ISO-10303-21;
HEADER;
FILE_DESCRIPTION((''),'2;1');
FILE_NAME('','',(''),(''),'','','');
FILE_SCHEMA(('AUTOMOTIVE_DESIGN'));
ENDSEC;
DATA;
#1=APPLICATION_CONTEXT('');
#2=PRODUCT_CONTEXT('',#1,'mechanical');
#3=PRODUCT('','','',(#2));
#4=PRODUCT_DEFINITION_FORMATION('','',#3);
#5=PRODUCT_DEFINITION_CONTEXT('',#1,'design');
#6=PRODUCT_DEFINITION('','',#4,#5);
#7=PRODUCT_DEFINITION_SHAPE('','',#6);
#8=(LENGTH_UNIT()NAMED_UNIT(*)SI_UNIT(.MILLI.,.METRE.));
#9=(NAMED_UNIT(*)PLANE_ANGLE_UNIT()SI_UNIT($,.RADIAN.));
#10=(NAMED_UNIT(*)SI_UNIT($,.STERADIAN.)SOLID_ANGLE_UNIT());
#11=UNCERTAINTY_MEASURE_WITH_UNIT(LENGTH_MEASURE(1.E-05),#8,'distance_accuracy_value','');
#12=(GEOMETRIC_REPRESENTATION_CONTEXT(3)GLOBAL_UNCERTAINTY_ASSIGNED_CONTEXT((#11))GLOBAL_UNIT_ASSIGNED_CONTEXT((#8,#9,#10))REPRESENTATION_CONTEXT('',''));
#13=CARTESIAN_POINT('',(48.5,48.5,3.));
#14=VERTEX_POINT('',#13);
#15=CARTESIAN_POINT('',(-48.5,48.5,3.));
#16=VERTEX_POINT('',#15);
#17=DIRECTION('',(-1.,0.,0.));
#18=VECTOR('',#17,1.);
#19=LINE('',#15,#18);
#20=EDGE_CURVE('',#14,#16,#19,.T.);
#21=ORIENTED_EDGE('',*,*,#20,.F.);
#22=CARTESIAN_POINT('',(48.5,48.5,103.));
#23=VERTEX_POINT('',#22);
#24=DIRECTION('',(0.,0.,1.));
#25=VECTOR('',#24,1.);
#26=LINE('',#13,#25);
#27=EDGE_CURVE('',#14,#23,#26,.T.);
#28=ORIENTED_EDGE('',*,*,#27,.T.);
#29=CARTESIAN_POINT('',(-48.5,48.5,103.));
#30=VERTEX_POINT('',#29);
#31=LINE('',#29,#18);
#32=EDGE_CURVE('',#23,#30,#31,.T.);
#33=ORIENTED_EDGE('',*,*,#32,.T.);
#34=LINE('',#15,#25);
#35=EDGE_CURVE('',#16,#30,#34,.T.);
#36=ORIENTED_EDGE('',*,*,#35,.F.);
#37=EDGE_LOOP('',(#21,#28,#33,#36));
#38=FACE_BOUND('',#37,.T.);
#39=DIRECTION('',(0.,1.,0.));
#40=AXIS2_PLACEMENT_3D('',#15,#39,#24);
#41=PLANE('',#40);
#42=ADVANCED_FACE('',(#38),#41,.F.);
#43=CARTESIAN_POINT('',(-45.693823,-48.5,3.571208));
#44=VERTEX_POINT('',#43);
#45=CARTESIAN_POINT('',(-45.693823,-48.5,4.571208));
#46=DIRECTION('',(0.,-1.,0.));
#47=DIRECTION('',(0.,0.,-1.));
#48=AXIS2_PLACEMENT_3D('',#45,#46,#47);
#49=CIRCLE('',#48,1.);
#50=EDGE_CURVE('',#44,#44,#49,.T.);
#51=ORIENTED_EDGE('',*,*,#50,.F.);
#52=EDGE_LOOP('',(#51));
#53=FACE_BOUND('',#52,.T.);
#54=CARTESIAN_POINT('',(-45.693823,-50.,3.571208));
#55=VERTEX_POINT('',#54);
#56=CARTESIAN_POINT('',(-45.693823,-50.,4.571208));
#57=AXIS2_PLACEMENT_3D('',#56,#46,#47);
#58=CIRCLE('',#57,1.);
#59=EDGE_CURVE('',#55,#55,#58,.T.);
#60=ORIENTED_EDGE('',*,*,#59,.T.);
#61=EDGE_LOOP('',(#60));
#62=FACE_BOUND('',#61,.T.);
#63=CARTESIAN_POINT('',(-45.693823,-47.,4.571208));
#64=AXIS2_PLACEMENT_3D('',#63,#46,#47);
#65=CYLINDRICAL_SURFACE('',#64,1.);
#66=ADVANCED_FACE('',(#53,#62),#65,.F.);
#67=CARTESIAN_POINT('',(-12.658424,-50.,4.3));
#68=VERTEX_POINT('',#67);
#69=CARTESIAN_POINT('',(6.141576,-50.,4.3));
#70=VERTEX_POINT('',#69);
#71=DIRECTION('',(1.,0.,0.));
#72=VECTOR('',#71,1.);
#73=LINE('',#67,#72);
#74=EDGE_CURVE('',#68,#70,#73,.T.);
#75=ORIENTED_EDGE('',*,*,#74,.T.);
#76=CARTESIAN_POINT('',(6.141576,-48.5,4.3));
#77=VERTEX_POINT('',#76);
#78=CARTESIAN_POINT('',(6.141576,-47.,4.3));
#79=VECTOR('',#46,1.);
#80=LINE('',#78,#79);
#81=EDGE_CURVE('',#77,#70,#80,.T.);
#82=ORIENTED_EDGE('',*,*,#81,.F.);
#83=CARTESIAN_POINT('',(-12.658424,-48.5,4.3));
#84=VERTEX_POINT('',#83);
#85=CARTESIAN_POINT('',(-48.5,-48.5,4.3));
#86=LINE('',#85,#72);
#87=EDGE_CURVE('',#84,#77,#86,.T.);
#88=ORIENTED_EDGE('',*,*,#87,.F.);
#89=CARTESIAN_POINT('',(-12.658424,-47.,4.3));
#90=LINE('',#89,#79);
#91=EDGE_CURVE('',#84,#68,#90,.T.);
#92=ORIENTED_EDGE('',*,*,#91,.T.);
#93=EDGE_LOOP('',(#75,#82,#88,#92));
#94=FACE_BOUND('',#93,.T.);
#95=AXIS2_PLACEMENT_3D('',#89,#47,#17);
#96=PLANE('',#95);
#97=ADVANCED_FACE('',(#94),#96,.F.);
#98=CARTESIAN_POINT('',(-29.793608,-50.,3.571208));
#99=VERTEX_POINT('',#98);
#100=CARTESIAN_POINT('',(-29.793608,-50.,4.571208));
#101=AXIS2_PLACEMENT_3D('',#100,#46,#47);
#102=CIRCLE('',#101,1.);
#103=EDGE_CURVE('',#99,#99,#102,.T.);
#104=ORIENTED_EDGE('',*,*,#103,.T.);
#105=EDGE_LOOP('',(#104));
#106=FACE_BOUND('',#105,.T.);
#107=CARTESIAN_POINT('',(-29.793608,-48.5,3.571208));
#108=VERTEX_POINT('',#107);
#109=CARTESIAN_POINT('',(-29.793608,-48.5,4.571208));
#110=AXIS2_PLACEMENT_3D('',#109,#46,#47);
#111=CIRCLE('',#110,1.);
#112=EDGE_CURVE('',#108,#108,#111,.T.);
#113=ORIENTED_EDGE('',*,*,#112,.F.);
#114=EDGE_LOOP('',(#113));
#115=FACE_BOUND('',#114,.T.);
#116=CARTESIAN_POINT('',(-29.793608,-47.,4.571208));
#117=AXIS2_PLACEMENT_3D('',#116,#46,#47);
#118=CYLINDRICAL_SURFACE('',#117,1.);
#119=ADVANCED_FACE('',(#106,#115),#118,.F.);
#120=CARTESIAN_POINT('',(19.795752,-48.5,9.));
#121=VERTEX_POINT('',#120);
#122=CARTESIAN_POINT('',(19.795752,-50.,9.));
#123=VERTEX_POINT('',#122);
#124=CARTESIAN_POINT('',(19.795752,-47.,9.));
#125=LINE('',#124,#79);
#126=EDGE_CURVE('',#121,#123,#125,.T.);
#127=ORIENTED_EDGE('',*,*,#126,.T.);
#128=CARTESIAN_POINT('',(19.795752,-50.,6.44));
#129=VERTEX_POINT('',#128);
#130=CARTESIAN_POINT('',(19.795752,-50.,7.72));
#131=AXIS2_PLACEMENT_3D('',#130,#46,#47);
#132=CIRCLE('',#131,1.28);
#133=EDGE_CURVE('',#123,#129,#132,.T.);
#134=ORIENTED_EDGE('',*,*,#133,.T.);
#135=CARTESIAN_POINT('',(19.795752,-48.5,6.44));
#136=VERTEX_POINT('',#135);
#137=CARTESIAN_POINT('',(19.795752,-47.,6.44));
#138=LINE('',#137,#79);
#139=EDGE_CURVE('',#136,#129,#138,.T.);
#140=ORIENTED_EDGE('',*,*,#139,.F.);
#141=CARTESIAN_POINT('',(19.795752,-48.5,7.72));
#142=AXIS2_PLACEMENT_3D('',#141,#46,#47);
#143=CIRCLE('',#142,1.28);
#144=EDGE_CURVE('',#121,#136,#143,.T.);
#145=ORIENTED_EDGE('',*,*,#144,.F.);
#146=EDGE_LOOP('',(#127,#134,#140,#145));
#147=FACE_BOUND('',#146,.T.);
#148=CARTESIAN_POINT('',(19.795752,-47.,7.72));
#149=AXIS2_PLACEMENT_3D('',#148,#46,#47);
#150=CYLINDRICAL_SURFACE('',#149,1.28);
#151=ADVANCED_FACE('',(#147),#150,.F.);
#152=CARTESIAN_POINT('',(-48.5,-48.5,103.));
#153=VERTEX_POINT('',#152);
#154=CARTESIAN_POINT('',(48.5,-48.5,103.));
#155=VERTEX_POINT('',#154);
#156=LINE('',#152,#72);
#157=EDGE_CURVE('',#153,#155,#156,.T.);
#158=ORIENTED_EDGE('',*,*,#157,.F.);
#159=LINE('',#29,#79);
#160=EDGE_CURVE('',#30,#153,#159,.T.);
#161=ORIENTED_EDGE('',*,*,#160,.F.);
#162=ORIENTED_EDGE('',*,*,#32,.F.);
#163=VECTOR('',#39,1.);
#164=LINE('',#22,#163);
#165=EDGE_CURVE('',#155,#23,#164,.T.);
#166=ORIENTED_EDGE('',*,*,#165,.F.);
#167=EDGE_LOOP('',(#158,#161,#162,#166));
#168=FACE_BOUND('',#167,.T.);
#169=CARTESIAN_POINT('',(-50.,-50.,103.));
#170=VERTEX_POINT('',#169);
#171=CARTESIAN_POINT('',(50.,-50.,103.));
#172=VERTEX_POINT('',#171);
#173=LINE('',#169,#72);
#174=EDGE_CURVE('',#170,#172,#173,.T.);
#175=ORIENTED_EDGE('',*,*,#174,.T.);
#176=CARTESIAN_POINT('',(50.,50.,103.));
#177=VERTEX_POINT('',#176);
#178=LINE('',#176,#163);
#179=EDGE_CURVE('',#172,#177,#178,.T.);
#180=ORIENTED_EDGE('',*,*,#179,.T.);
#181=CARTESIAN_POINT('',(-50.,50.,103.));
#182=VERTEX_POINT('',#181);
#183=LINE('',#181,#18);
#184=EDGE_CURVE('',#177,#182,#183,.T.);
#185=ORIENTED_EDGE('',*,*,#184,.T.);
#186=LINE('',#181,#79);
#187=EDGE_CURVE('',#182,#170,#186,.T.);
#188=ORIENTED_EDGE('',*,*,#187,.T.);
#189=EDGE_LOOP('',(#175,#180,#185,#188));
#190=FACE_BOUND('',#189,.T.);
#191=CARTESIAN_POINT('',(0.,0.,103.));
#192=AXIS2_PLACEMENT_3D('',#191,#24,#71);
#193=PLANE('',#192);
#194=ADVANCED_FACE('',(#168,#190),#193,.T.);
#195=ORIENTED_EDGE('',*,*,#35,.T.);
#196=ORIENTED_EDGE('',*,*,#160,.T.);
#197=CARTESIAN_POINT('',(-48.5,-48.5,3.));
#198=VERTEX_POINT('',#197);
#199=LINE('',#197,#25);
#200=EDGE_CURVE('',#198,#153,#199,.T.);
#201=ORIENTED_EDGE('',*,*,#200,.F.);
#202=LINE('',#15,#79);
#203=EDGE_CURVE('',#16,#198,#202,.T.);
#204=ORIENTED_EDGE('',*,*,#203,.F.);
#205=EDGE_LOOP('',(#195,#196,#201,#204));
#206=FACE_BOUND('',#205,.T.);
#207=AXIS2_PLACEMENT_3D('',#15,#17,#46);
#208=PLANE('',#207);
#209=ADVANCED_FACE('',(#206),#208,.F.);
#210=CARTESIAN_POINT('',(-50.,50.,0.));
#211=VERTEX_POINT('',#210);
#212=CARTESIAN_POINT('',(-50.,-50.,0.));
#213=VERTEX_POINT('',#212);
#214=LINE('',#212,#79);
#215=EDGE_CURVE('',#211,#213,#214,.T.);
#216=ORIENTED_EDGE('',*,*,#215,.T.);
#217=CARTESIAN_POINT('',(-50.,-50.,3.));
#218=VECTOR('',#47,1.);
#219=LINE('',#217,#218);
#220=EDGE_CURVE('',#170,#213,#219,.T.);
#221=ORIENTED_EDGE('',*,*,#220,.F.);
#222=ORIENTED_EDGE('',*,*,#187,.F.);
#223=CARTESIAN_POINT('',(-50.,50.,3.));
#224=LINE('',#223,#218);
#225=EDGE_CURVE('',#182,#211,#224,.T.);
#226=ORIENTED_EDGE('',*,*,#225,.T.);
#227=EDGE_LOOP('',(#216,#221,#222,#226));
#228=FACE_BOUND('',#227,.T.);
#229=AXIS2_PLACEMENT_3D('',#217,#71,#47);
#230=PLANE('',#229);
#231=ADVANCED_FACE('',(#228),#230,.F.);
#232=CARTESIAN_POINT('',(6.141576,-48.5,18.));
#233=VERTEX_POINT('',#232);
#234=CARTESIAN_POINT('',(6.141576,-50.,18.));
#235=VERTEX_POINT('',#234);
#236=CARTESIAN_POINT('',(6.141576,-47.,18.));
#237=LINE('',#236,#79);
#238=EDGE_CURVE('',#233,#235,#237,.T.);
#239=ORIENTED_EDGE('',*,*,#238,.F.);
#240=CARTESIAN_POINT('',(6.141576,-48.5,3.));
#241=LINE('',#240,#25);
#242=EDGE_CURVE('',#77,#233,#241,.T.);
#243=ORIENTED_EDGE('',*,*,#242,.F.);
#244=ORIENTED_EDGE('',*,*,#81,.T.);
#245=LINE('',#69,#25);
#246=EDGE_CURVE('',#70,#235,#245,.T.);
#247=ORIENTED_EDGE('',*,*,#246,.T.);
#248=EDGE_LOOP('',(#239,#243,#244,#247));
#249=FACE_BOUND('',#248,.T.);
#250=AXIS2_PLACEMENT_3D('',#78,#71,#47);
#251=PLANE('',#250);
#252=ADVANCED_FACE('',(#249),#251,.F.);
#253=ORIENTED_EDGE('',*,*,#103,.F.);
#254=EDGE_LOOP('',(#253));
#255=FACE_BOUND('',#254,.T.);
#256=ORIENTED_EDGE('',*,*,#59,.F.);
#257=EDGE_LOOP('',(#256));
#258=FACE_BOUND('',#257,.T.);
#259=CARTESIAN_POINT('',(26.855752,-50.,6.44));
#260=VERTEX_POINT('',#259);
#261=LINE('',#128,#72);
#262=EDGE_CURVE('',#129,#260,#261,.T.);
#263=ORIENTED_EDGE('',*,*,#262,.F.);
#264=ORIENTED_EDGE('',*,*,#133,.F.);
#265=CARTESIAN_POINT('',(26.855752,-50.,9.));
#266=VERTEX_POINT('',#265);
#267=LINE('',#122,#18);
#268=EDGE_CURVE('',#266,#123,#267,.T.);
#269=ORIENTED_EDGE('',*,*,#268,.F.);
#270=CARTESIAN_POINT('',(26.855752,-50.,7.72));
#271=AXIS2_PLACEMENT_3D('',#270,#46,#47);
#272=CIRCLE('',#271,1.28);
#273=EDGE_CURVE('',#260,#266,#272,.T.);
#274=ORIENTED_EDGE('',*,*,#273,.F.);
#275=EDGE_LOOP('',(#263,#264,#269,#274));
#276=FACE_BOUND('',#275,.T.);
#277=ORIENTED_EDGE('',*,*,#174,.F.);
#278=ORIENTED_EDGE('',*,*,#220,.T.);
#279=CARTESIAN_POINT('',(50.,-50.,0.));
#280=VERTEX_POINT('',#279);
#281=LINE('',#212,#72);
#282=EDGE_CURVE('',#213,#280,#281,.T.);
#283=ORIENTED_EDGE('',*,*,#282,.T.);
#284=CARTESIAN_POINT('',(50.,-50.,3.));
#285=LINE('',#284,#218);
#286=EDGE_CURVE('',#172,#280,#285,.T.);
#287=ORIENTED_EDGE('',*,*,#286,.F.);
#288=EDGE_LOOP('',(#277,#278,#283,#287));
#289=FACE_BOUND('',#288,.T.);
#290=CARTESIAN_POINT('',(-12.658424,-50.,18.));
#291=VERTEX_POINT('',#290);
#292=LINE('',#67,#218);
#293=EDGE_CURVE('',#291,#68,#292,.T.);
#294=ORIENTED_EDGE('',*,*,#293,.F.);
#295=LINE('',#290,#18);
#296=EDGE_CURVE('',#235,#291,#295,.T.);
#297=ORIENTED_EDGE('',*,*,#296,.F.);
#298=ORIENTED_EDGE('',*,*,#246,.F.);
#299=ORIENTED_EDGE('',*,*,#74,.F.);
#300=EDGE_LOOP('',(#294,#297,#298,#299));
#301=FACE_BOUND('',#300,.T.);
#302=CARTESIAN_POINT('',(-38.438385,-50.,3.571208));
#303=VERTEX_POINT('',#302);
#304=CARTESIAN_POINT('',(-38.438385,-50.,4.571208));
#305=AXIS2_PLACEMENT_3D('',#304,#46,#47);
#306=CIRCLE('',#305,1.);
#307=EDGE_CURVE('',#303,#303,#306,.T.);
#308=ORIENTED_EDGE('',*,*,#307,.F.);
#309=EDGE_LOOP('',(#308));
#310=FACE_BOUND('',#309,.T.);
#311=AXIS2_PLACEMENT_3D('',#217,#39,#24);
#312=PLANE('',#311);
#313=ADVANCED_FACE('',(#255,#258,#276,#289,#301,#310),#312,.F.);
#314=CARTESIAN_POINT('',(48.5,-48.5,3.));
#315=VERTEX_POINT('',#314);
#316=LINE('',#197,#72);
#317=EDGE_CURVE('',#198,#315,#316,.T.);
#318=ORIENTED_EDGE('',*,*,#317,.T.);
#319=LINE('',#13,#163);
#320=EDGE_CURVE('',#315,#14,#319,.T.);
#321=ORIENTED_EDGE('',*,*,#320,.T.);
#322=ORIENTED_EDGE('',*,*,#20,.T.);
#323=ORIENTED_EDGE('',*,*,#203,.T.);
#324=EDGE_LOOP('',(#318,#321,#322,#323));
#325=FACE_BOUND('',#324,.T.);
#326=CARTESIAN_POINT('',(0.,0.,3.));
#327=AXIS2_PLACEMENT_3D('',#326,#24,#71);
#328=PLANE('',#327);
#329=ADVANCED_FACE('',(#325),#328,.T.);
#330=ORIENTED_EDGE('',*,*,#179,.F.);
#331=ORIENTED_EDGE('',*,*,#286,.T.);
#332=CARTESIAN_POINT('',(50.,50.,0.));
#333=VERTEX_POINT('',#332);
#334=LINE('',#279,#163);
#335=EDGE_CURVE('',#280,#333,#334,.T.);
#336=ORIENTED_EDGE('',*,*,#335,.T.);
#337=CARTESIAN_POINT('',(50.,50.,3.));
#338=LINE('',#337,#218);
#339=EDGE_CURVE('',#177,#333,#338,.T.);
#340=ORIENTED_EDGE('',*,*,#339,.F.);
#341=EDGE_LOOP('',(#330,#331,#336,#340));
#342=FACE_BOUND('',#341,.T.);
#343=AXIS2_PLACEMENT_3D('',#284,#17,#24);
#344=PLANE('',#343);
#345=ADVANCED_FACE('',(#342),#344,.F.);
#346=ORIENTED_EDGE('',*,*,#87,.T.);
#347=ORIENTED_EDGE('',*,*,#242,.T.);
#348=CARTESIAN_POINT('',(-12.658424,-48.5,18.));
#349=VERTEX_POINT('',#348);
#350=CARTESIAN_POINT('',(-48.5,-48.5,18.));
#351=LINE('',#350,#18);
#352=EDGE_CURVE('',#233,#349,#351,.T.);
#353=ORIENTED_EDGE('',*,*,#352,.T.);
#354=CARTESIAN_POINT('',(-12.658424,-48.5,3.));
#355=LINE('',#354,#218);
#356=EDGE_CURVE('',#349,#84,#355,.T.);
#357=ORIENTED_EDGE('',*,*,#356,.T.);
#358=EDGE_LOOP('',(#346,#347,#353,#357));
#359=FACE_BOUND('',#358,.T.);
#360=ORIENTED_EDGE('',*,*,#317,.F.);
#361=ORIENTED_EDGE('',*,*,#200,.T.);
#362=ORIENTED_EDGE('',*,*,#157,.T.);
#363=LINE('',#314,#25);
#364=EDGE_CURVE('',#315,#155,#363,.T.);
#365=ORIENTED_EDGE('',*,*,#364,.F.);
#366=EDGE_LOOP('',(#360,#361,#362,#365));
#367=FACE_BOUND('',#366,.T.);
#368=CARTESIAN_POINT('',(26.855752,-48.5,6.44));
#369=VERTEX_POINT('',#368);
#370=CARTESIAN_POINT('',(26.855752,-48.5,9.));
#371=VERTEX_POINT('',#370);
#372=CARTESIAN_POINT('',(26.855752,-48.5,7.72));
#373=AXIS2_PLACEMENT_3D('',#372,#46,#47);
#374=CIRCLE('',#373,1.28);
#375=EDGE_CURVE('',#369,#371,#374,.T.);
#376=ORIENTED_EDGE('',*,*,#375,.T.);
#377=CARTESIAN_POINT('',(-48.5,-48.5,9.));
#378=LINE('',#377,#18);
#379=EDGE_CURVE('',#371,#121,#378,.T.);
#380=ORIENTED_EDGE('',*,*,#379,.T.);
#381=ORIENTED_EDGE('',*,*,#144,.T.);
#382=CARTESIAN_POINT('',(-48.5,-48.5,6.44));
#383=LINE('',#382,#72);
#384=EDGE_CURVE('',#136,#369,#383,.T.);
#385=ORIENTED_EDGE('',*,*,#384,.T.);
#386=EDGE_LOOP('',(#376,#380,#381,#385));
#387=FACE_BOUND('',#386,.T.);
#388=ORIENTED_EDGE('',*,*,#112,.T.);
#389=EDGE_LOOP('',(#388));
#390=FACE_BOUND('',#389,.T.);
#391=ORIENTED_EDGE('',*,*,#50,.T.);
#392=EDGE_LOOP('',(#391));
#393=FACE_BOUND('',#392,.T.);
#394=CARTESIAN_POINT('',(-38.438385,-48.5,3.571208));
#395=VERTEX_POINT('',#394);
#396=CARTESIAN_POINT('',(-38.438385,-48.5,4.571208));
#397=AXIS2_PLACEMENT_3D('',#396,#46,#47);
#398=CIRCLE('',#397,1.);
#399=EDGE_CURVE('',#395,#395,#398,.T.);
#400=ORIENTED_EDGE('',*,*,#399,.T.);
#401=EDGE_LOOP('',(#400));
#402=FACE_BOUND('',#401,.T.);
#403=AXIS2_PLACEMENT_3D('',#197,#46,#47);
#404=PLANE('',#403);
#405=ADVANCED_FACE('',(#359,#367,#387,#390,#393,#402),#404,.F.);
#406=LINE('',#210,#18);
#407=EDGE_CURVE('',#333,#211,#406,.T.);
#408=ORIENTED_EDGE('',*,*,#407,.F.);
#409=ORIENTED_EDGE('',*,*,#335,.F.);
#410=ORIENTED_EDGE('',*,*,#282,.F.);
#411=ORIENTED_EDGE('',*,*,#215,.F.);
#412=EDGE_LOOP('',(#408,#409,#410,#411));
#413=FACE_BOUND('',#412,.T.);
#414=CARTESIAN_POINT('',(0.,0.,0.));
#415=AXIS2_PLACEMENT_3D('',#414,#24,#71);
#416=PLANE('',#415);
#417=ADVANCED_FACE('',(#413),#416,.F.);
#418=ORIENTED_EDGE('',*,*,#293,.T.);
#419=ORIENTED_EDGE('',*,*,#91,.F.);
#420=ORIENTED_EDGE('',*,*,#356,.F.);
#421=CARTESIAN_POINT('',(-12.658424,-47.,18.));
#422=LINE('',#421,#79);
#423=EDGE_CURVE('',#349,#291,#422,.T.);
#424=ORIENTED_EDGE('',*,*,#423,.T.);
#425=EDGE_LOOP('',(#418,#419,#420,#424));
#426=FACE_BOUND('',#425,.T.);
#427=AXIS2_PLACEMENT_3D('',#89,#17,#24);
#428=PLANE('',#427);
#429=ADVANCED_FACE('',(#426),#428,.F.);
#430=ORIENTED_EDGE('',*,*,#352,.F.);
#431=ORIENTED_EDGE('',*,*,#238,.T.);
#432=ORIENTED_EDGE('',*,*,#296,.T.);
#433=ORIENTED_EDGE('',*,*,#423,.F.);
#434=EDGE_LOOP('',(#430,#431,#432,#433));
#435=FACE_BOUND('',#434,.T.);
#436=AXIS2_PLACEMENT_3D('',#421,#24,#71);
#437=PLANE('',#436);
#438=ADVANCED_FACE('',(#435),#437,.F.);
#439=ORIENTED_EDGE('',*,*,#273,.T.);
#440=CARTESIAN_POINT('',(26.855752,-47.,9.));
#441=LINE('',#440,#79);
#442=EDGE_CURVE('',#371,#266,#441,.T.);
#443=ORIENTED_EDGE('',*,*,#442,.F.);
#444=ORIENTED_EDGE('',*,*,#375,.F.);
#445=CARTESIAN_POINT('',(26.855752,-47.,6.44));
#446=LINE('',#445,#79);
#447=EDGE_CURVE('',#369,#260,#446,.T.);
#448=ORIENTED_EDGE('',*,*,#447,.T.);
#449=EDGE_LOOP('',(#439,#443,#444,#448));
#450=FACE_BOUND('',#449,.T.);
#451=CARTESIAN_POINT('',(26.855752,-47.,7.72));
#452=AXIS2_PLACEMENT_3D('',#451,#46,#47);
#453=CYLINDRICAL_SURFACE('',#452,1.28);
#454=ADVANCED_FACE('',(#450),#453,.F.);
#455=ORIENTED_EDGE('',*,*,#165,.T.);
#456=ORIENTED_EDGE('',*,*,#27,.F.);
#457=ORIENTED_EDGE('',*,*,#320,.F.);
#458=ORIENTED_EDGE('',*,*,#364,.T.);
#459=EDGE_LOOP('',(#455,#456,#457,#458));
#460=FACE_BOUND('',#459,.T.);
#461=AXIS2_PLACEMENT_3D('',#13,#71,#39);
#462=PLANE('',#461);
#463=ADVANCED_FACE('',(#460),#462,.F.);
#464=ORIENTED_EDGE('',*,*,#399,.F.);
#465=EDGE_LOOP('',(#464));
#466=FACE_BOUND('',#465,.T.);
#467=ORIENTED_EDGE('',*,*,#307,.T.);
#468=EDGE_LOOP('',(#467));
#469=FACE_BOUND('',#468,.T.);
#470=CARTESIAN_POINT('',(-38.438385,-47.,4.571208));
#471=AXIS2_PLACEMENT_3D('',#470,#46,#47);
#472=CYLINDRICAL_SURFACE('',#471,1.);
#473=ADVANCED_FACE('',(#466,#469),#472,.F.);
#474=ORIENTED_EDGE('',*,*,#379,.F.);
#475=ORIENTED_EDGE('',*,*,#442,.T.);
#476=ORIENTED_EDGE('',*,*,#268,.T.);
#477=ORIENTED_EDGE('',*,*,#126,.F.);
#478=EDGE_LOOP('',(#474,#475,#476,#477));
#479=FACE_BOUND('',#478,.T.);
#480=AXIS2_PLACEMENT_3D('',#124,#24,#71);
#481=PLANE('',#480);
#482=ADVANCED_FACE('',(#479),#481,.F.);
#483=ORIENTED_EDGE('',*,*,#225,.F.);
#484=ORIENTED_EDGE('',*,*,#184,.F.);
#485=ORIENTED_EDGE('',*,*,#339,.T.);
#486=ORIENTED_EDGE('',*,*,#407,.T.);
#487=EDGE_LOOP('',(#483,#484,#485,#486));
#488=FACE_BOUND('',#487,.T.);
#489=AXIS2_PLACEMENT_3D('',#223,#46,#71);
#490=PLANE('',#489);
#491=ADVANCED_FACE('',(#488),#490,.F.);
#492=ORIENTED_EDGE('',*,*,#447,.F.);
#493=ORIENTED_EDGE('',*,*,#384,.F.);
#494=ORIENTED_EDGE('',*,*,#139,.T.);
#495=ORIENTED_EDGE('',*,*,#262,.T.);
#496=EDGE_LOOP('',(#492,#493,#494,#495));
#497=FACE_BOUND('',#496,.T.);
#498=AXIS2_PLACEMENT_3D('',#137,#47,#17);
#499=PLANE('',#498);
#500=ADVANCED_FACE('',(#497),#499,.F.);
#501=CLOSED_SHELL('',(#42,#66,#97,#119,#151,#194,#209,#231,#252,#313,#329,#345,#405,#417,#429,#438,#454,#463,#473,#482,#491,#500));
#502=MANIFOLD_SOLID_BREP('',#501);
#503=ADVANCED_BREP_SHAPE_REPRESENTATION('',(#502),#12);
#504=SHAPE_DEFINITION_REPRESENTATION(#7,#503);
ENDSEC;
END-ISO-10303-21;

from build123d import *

# Parameters (mm, degrees)
SKETCH1_W           = 100
SKETCH1_H           = 100
BOSS_EXTRUDE1_DEPTH = 3
SKETCH4_W           = 100
SKETCH4_H           = 100
BOSS_EXTRUDE2_DEPTH = 100
SKETCH5_W           = 97
SKETCH5_H           = 97
CUT_EXTRUDE1_DEPTH  = 100
SKETCH6_R           = 1
CUT_EXTRUDE2_DEPTH  = 3
SKETCH7_W           = 18.8
SKETCH7_H           = 13.7
CUT_EXTRUDE3_DEPTH  = 3
CUT_EXTRUDE4_DEPTH  = 3


with BuildPart() as part:
    # Sketch1 → Boss-Extrude1 (new body)
    with BuildSketch(Plane(origin=(0, 0, 0), x_dir=(0, 1, 0), z_dir=(0, 0, 1))):
        Rectangle(SKETCH1_W, SKETCH1_H)
    extrude(amount=BOSS_EXTRUDE1_DEPTH)

    # Sketch4 → Boss-Extrude2 (add)
    with BuildSketch(Plane.XY.offset(3)):
        Rectangle(SKETCH4_W, SKETCH4_H)
    extrude(amount=BOSS_EXTRUDE2_DEPTH)

    # Sketch5 → Cut-Extrude1 (cut)
    with BuildSketch(Plane.XY.offset(103)):
        Rectangle(SKETCH5_W, SKETCH5_H)
    extrude(amount=-CUT_EXTRUDE1_DEPTH, mode=Mode.SUBTRACT)

    # Sketch6 → Cut-Extrude2 (cut)
    with BuildSketch(Plane.XZ.offset(50)):
        with Locations(Location((-45.693823315, 4.571208487, 0), (0, 0, 270))):
            Circle(SKETCH6_R)
        with Locations(Location((-38.438385154, 4.571208487, 0), (0, 0, 270))):
            Circle(SKETCH6_R)
        with Locations(Location((-29.79360777, 4.571208487, 0), (0, 0, 270))):
            Circle(SKETCH6_R)
    extrude(amount=-CUT_EXTRUDE2_DEPTH, mode=Mode.SUBTRACT)

    # Sketch7 → Cut-Extrude3 (cut)
    with BuildSketch(Plane.XZ.offset(50)):
        with Locations((-3.258424026, 11.15)):
            Rectangle(SKETCH7_W, SKETCH7_H)
    extrude(amount=-CUT_EXTRUDE3_DEPTH, mode=Mode.SUBTRACT)

    # Sketch8 → Cut-Extrude4 (cut)
    with BuildSketch(Plane.XZ.offset(50)):
        with BuildLine():
            Line((19.795752189, 9), (26.855752189, 9))
            ThreePointArc((26.855752189, 9), (28.135752189, 7.72), (26.855752189, 6.44))
            Line((26.855752189, 6.44), (19.795752189, 6.44))
            ThreePointArc((19.795752189, 6.44), (18.515752189, 7.72), (19.795752189, 9))
        make_face()
    extrude(amount=-CUT_EXTRUDE4_DEPTH, mode=Mode.SUBTRACT)


solid = part.part
